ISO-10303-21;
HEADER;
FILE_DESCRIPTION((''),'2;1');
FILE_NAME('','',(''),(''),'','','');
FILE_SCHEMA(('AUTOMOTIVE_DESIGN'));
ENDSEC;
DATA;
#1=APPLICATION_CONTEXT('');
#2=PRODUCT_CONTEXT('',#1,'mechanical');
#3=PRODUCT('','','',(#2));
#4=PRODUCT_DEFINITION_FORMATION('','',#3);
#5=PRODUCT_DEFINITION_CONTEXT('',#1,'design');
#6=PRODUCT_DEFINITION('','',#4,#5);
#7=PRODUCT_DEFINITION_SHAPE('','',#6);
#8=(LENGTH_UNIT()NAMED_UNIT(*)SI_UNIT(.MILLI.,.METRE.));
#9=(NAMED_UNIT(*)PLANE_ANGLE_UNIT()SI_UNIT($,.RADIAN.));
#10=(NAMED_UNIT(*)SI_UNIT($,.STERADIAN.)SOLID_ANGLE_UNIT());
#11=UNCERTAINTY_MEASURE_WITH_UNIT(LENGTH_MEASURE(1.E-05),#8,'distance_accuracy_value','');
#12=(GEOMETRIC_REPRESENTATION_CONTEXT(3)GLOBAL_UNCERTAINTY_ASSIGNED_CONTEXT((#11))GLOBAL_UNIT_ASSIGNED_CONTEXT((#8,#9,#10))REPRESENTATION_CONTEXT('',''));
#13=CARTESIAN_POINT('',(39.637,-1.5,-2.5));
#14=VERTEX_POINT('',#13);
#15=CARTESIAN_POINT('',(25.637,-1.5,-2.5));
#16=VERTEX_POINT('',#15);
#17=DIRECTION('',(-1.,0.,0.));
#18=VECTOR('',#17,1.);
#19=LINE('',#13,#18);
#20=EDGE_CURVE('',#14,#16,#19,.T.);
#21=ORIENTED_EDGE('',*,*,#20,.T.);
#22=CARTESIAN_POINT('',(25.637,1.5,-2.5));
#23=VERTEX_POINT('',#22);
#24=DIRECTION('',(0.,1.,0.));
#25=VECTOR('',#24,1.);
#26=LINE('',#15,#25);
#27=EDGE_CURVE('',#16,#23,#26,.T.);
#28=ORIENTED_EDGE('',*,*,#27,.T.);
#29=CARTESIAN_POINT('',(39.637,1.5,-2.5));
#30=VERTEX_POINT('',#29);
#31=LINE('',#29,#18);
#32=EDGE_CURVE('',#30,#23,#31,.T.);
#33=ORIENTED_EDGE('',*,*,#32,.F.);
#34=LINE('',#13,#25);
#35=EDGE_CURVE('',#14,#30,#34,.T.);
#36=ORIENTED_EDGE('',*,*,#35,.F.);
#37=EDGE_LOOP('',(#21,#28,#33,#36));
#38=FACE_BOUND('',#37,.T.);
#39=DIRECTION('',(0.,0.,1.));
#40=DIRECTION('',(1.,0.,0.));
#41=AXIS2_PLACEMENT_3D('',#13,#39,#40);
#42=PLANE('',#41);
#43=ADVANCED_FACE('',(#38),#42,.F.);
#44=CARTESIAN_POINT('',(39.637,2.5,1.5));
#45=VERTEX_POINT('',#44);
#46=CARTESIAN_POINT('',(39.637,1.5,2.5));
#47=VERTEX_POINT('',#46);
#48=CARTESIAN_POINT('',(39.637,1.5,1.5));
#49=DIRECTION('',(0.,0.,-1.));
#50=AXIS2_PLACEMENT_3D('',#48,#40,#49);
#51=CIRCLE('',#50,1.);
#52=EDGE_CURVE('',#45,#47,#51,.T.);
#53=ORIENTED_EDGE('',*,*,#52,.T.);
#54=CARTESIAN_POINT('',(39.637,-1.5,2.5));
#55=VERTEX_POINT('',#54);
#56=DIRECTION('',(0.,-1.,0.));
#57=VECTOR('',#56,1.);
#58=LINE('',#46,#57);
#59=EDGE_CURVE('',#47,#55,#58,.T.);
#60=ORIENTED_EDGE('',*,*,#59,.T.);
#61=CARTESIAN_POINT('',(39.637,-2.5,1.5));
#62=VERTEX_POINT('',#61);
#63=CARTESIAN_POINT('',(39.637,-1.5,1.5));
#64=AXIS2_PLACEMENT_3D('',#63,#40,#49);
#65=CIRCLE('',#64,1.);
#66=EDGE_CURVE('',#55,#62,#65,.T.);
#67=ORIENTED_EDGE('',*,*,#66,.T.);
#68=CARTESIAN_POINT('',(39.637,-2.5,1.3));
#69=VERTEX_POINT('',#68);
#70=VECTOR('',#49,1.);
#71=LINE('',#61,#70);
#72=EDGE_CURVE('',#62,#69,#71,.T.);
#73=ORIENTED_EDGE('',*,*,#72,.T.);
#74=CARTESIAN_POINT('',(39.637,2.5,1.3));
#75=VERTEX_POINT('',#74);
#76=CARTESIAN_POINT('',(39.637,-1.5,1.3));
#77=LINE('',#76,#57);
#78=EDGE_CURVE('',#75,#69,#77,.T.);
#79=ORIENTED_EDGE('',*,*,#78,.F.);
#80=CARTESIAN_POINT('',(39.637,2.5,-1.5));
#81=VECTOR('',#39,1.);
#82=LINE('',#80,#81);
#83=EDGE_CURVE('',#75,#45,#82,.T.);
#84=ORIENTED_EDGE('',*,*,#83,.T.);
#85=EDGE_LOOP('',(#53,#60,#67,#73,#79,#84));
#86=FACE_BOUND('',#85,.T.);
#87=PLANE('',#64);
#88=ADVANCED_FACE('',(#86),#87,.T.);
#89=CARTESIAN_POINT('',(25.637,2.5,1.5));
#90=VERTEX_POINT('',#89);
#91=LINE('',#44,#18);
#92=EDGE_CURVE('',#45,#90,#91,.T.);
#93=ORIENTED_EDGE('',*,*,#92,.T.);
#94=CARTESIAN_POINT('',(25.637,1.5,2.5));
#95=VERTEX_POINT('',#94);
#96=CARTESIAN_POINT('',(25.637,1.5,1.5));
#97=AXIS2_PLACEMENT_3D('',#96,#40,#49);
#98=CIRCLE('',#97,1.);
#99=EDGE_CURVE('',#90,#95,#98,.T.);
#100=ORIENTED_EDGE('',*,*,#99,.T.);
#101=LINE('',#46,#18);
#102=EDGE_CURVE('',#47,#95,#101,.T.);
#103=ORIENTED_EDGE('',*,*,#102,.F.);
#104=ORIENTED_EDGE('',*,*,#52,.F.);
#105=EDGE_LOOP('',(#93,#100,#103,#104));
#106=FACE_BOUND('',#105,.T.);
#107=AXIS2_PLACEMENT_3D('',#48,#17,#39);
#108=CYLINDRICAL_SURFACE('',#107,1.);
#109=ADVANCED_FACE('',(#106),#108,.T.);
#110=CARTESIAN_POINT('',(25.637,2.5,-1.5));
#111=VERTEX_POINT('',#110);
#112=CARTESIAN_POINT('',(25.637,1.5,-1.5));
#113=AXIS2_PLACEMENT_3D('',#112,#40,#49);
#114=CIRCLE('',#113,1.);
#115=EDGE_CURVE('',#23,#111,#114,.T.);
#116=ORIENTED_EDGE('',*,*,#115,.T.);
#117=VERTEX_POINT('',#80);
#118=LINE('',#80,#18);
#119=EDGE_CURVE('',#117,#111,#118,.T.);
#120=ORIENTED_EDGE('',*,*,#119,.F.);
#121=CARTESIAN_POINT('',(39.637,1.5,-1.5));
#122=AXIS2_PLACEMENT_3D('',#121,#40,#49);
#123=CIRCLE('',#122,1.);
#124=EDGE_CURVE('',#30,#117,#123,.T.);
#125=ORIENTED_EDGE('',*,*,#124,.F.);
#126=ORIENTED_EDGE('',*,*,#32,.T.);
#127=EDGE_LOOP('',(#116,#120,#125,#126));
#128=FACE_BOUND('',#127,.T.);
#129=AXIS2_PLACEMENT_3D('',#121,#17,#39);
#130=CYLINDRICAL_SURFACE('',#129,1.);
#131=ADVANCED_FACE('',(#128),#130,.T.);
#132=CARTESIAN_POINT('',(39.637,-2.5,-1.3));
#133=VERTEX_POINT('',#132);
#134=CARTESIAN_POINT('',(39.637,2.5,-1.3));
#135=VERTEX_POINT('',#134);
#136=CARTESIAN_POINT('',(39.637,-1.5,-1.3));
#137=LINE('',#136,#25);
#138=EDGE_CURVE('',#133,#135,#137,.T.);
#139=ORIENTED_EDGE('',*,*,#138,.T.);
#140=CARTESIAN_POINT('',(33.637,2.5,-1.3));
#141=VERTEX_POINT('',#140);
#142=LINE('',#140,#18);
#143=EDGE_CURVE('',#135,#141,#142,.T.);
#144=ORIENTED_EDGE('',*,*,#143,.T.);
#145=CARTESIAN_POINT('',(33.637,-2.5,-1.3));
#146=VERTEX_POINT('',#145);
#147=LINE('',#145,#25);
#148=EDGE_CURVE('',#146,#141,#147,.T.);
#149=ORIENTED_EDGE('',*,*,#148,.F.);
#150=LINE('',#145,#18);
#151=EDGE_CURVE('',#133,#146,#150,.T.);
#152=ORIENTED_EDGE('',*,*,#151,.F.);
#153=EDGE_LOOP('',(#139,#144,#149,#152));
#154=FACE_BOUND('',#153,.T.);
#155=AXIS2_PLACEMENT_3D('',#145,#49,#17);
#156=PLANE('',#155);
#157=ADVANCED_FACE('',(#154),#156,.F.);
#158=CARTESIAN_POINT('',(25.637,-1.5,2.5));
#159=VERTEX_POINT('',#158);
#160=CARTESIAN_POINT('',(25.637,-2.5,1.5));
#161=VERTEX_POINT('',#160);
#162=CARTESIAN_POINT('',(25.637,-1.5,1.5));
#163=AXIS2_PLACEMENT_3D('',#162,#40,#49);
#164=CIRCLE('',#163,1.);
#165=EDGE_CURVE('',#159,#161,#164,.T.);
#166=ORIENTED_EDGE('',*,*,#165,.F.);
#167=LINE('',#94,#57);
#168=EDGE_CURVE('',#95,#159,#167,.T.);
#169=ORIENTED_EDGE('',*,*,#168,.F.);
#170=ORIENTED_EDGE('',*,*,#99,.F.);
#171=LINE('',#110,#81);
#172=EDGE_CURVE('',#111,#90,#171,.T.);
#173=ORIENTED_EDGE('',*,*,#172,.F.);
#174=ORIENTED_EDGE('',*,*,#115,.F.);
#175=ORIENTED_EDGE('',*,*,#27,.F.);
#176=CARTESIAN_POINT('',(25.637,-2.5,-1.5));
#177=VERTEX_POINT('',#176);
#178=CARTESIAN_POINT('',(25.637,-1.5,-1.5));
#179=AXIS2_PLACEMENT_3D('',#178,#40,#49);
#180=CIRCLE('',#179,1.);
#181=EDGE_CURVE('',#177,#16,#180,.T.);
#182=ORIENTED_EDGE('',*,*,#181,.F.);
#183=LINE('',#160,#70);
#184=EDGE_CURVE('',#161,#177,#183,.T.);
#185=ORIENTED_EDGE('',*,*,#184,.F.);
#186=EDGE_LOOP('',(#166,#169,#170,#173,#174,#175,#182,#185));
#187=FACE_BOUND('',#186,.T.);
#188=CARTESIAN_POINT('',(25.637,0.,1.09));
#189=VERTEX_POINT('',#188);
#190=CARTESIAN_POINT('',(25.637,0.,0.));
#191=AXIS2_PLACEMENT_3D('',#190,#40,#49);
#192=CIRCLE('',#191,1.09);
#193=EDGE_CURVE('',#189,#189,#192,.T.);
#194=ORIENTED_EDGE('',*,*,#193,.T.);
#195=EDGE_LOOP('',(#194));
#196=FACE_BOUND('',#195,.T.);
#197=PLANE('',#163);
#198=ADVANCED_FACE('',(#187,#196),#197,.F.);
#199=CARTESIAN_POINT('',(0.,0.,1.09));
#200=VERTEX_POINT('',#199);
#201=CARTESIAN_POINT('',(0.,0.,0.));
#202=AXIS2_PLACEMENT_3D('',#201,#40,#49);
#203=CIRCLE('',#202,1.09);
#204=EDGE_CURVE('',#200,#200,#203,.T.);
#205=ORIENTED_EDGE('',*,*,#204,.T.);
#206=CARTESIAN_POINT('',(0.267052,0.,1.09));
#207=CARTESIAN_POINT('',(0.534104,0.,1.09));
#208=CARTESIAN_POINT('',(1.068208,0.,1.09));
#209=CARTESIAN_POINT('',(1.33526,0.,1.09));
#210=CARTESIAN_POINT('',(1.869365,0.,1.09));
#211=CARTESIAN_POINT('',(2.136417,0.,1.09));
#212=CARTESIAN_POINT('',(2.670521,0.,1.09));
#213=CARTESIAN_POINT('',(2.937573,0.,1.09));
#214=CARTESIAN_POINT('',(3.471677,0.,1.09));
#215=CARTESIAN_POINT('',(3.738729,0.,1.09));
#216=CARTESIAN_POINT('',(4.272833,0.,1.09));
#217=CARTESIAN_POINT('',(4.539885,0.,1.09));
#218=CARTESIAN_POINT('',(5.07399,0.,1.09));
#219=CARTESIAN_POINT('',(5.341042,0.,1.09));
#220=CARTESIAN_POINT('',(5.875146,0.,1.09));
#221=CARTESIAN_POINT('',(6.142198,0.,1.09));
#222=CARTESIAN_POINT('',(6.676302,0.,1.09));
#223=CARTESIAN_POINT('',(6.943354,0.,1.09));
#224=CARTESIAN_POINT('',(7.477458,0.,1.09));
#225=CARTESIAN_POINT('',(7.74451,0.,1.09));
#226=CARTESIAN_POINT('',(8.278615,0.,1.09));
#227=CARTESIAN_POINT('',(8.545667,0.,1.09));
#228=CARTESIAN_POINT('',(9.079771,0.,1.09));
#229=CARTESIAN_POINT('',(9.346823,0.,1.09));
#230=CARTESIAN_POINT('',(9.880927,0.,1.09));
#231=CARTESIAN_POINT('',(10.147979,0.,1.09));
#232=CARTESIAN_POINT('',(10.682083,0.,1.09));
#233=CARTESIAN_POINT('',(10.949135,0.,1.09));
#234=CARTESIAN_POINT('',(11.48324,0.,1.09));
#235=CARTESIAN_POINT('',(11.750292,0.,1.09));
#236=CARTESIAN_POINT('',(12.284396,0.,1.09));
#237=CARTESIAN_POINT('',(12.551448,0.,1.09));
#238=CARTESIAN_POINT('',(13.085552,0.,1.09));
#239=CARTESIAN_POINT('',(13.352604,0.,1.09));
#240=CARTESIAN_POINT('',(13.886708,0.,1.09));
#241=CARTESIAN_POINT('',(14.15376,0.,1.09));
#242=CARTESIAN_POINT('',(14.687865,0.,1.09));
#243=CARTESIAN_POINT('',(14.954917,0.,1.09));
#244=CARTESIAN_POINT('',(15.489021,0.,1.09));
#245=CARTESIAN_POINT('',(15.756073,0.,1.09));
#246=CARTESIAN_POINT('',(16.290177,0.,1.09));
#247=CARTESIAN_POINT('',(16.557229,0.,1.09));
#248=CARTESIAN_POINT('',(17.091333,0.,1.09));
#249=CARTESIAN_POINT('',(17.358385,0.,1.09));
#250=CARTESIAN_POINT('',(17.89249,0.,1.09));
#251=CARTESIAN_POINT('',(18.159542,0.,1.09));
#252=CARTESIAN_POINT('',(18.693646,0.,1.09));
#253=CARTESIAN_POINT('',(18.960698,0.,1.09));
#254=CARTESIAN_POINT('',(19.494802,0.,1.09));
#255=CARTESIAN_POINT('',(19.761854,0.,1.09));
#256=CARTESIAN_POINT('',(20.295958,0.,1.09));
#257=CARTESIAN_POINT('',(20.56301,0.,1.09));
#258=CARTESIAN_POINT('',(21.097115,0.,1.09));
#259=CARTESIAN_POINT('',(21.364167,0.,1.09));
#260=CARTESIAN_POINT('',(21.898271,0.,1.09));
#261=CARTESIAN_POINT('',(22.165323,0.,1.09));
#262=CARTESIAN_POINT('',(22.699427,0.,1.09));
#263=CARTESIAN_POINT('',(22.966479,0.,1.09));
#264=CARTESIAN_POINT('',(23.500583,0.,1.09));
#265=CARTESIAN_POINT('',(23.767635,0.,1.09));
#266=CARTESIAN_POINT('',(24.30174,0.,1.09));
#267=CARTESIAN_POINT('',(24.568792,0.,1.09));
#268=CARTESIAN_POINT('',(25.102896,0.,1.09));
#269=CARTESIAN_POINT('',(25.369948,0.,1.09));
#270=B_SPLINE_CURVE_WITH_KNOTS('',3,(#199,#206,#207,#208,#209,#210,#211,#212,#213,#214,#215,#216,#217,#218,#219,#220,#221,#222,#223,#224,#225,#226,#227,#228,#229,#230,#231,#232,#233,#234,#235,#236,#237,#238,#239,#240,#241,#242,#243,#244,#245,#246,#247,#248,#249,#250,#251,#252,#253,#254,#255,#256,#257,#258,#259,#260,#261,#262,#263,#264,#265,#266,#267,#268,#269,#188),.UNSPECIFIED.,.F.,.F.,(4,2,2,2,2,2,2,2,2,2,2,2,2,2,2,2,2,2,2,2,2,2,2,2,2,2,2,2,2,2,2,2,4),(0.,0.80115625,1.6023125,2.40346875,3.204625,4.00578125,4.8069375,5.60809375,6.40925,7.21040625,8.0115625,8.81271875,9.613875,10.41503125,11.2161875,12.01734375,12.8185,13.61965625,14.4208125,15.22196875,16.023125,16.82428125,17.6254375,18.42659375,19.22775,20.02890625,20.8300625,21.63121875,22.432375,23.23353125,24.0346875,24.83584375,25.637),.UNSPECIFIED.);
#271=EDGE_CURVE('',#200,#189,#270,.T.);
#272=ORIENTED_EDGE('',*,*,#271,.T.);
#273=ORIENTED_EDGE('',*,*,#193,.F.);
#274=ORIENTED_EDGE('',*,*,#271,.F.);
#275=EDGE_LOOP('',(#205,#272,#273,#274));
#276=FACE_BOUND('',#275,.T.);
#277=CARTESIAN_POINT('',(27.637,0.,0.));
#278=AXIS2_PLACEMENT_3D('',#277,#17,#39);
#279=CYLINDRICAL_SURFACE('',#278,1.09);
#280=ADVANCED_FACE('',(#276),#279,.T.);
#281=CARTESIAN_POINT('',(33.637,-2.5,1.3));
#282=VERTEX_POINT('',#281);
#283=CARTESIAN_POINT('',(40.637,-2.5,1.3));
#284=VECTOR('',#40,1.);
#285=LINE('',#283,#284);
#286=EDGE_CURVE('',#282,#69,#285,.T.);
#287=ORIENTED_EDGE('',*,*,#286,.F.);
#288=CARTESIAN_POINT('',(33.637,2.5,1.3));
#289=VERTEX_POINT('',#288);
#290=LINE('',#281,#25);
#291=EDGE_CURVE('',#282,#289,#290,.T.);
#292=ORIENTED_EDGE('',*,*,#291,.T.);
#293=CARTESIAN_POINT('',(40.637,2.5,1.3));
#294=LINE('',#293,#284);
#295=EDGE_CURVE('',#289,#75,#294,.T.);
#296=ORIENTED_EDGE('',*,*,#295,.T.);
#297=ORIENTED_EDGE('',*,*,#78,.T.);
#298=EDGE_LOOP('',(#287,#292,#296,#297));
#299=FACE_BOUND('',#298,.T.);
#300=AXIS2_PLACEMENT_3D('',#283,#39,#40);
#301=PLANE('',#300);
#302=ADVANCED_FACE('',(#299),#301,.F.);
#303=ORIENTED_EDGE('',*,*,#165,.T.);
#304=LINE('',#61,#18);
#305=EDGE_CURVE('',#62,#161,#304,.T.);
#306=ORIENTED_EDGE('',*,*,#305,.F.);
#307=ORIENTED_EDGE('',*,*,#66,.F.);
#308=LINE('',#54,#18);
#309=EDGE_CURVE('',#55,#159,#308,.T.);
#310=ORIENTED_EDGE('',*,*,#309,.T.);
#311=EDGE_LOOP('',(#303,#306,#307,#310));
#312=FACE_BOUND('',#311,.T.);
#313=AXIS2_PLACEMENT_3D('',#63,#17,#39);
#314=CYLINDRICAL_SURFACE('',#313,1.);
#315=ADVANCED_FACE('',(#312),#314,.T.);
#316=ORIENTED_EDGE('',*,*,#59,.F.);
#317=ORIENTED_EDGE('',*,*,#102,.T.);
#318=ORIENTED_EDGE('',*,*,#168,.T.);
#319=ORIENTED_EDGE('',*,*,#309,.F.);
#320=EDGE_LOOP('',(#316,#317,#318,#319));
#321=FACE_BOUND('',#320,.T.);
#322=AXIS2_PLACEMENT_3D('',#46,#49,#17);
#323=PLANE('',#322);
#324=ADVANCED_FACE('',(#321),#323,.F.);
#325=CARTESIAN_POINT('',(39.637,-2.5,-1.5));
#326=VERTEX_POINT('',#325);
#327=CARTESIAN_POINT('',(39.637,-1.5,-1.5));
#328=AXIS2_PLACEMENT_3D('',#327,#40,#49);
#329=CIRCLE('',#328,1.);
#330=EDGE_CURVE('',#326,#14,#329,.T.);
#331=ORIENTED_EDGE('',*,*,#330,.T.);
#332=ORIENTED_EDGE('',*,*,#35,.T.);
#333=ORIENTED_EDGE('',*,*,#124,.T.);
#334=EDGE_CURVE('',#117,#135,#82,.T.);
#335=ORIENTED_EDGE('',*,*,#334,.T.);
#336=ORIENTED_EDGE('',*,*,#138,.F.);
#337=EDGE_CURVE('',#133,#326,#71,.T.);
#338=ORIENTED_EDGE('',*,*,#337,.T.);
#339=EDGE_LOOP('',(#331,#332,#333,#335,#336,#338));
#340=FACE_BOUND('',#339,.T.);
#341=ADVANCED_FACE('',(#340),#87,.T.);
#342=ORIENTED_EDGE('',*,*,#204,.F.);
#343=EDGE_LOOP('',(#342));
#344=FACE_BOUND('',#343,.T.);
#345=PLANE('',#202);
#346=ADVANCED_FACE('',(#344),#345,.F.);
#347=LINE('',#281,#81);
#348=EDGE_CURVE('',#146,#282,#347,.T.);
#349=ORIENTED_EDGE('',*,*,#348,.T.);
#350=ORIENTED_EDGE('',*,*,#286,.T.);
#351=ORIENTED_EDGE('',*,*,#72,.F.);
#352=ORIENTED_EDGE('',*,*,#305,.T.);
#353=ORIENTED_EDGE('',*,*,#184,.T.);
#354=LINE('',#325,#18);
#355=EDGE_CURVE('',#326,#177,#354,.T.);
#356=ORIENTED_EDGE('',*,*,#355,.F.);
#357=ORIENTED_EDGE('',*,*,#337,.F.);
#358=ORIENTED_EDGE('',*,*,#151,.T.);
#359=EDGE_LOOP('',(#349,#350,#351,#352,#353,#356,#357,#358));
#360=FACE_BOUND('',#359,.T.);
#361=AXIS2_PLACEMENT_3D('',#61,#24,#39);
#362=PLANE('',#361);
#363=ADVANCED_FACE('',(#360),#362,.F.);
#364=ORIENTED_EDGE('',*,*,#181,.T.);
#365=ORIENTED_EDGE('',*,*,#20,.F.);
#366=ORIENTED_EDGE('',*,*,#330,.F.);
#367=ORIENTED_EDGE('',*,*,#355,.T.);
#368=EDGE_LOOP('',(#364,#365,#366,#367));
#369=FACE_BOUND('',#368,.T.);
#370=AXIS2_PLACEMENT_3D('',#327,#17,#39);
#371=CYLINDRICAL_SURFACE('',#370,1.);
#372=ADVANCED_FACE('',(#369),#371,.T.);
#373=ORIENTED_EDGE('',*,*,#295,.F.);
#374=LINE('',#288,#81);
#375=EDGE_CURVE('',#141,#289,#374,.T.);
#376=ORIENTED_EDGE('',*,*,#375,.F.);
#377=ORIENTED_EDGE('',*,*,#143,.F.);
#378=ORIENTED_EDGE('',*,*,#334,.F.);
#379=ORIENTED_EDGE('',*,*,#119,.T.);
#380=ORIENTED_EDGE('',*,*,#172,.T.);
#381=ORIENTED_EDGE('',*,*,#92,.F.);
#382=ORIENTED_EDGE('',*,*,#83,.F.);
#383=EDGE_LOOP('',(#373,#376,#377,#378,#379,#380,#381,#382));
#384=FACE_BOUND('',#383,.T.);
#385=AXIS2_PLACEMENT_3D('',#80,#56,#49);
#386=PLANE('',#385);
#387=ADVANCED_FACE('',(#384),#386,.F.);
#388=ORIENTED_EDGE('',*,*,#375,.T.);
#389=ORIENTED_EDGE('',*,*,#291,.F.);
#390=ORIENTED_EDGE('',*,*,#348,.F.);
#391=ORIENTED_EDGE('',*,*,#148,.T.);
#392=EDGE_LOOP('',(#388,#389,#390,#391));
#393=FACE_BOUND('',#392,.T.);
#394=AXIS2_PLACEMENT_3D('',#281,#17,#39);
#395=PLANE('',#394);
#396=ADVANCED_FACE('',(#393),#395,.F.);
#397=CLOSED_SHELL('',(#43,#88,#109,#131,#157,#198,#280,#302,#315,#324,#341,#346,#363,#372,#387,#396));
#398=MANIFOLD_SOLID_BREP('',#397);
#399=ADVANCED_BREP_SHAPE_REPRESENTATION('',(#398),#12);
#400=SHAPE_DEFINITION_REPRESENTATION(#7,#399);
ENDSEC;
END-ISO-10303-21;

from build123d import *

# Parameters (mm, degrees)
SKETCH1_R               = 1.09
BOSS_EXTRUDE1_DEPTH     = 27.637
BOSS_EXTRUDE2_DEPTH     = 14
CUT_EXTRUDE1_DEPTH      = 40.794368559
CUT_EXTRUDE1_DEPTH_BACK = 40.794368559
SKETCH3_W               = 7
SKETCH3_H               = 2.6


with BuildPart() as part:
    # Sketch1 → Boss-Extrude1 (new body)
    with BuildSketch(Plane(origin=(0, 0, 0), x_dir=(0, 0, -1), z_dir=(1, 0, 0))):
        with Locations(Location((0, 0, 0), (0, 0, 180))):
            Circle(SKETCH1_R)
    extrude(amount=BOSS_EXTRUDE1_DEPTH)

    # Sketch2 → Boss-Extrude2 (add)
    with BuildSketch(Plane(origin=(25.637, 0, 0), x_dir=(0, 0, -1), z_dir=(1, 0, 0))):
        with BuildLine():
            Line((-1.5, -2.5), (1.5, -2.5))
            ThreePointArc((1.5, -2.5), (2.207106781, -2.207106781), (2.5, -1.5))
            Line((2.5, -1.5), (2.5, 1.5))
            ThreePointArc((2.5, 1.5), (2.207106781, 2.207106781), (1.5, 2.5))
            Line((1.5, 2.5), (-1.5, 2.5))
            ThreePointArc((-1.5, 2.5), (-2.207106781, 2.207106781), (-2.5, 1.5))
            Line((-2.5, 1.5), (-2.5, -1.5))
            ThreePointArc((-2.5, -1.5), (-2.207106781, -2.207106781), (-1.5, -2.5))
        make_face()
    extrude(amount=BOSS_EXTRUDE2_DEPTH)

    # Sketch3 → Cut-Extrude1 (cut, two sides: drawn at the far end of the back side and taken through both)
    with BuildSketch(Plane(origin=(0, 0, 0), x_dir=(1, 0, 0), z_dir=(0, 1, 0)).offset(-CUT_EXTRUDE1_DEPTH_BACK)):
        with Locations((37.137, 0)):
            Rectangle(SKETCH3_W, SKETCH3_H)
    extrude(amount=CUT_EXTRUDE1_DEPTH + CUT_EXTRUDE1_DEPTH_BACK, mode=Mode.SUBTRACT)


solid = part.part
